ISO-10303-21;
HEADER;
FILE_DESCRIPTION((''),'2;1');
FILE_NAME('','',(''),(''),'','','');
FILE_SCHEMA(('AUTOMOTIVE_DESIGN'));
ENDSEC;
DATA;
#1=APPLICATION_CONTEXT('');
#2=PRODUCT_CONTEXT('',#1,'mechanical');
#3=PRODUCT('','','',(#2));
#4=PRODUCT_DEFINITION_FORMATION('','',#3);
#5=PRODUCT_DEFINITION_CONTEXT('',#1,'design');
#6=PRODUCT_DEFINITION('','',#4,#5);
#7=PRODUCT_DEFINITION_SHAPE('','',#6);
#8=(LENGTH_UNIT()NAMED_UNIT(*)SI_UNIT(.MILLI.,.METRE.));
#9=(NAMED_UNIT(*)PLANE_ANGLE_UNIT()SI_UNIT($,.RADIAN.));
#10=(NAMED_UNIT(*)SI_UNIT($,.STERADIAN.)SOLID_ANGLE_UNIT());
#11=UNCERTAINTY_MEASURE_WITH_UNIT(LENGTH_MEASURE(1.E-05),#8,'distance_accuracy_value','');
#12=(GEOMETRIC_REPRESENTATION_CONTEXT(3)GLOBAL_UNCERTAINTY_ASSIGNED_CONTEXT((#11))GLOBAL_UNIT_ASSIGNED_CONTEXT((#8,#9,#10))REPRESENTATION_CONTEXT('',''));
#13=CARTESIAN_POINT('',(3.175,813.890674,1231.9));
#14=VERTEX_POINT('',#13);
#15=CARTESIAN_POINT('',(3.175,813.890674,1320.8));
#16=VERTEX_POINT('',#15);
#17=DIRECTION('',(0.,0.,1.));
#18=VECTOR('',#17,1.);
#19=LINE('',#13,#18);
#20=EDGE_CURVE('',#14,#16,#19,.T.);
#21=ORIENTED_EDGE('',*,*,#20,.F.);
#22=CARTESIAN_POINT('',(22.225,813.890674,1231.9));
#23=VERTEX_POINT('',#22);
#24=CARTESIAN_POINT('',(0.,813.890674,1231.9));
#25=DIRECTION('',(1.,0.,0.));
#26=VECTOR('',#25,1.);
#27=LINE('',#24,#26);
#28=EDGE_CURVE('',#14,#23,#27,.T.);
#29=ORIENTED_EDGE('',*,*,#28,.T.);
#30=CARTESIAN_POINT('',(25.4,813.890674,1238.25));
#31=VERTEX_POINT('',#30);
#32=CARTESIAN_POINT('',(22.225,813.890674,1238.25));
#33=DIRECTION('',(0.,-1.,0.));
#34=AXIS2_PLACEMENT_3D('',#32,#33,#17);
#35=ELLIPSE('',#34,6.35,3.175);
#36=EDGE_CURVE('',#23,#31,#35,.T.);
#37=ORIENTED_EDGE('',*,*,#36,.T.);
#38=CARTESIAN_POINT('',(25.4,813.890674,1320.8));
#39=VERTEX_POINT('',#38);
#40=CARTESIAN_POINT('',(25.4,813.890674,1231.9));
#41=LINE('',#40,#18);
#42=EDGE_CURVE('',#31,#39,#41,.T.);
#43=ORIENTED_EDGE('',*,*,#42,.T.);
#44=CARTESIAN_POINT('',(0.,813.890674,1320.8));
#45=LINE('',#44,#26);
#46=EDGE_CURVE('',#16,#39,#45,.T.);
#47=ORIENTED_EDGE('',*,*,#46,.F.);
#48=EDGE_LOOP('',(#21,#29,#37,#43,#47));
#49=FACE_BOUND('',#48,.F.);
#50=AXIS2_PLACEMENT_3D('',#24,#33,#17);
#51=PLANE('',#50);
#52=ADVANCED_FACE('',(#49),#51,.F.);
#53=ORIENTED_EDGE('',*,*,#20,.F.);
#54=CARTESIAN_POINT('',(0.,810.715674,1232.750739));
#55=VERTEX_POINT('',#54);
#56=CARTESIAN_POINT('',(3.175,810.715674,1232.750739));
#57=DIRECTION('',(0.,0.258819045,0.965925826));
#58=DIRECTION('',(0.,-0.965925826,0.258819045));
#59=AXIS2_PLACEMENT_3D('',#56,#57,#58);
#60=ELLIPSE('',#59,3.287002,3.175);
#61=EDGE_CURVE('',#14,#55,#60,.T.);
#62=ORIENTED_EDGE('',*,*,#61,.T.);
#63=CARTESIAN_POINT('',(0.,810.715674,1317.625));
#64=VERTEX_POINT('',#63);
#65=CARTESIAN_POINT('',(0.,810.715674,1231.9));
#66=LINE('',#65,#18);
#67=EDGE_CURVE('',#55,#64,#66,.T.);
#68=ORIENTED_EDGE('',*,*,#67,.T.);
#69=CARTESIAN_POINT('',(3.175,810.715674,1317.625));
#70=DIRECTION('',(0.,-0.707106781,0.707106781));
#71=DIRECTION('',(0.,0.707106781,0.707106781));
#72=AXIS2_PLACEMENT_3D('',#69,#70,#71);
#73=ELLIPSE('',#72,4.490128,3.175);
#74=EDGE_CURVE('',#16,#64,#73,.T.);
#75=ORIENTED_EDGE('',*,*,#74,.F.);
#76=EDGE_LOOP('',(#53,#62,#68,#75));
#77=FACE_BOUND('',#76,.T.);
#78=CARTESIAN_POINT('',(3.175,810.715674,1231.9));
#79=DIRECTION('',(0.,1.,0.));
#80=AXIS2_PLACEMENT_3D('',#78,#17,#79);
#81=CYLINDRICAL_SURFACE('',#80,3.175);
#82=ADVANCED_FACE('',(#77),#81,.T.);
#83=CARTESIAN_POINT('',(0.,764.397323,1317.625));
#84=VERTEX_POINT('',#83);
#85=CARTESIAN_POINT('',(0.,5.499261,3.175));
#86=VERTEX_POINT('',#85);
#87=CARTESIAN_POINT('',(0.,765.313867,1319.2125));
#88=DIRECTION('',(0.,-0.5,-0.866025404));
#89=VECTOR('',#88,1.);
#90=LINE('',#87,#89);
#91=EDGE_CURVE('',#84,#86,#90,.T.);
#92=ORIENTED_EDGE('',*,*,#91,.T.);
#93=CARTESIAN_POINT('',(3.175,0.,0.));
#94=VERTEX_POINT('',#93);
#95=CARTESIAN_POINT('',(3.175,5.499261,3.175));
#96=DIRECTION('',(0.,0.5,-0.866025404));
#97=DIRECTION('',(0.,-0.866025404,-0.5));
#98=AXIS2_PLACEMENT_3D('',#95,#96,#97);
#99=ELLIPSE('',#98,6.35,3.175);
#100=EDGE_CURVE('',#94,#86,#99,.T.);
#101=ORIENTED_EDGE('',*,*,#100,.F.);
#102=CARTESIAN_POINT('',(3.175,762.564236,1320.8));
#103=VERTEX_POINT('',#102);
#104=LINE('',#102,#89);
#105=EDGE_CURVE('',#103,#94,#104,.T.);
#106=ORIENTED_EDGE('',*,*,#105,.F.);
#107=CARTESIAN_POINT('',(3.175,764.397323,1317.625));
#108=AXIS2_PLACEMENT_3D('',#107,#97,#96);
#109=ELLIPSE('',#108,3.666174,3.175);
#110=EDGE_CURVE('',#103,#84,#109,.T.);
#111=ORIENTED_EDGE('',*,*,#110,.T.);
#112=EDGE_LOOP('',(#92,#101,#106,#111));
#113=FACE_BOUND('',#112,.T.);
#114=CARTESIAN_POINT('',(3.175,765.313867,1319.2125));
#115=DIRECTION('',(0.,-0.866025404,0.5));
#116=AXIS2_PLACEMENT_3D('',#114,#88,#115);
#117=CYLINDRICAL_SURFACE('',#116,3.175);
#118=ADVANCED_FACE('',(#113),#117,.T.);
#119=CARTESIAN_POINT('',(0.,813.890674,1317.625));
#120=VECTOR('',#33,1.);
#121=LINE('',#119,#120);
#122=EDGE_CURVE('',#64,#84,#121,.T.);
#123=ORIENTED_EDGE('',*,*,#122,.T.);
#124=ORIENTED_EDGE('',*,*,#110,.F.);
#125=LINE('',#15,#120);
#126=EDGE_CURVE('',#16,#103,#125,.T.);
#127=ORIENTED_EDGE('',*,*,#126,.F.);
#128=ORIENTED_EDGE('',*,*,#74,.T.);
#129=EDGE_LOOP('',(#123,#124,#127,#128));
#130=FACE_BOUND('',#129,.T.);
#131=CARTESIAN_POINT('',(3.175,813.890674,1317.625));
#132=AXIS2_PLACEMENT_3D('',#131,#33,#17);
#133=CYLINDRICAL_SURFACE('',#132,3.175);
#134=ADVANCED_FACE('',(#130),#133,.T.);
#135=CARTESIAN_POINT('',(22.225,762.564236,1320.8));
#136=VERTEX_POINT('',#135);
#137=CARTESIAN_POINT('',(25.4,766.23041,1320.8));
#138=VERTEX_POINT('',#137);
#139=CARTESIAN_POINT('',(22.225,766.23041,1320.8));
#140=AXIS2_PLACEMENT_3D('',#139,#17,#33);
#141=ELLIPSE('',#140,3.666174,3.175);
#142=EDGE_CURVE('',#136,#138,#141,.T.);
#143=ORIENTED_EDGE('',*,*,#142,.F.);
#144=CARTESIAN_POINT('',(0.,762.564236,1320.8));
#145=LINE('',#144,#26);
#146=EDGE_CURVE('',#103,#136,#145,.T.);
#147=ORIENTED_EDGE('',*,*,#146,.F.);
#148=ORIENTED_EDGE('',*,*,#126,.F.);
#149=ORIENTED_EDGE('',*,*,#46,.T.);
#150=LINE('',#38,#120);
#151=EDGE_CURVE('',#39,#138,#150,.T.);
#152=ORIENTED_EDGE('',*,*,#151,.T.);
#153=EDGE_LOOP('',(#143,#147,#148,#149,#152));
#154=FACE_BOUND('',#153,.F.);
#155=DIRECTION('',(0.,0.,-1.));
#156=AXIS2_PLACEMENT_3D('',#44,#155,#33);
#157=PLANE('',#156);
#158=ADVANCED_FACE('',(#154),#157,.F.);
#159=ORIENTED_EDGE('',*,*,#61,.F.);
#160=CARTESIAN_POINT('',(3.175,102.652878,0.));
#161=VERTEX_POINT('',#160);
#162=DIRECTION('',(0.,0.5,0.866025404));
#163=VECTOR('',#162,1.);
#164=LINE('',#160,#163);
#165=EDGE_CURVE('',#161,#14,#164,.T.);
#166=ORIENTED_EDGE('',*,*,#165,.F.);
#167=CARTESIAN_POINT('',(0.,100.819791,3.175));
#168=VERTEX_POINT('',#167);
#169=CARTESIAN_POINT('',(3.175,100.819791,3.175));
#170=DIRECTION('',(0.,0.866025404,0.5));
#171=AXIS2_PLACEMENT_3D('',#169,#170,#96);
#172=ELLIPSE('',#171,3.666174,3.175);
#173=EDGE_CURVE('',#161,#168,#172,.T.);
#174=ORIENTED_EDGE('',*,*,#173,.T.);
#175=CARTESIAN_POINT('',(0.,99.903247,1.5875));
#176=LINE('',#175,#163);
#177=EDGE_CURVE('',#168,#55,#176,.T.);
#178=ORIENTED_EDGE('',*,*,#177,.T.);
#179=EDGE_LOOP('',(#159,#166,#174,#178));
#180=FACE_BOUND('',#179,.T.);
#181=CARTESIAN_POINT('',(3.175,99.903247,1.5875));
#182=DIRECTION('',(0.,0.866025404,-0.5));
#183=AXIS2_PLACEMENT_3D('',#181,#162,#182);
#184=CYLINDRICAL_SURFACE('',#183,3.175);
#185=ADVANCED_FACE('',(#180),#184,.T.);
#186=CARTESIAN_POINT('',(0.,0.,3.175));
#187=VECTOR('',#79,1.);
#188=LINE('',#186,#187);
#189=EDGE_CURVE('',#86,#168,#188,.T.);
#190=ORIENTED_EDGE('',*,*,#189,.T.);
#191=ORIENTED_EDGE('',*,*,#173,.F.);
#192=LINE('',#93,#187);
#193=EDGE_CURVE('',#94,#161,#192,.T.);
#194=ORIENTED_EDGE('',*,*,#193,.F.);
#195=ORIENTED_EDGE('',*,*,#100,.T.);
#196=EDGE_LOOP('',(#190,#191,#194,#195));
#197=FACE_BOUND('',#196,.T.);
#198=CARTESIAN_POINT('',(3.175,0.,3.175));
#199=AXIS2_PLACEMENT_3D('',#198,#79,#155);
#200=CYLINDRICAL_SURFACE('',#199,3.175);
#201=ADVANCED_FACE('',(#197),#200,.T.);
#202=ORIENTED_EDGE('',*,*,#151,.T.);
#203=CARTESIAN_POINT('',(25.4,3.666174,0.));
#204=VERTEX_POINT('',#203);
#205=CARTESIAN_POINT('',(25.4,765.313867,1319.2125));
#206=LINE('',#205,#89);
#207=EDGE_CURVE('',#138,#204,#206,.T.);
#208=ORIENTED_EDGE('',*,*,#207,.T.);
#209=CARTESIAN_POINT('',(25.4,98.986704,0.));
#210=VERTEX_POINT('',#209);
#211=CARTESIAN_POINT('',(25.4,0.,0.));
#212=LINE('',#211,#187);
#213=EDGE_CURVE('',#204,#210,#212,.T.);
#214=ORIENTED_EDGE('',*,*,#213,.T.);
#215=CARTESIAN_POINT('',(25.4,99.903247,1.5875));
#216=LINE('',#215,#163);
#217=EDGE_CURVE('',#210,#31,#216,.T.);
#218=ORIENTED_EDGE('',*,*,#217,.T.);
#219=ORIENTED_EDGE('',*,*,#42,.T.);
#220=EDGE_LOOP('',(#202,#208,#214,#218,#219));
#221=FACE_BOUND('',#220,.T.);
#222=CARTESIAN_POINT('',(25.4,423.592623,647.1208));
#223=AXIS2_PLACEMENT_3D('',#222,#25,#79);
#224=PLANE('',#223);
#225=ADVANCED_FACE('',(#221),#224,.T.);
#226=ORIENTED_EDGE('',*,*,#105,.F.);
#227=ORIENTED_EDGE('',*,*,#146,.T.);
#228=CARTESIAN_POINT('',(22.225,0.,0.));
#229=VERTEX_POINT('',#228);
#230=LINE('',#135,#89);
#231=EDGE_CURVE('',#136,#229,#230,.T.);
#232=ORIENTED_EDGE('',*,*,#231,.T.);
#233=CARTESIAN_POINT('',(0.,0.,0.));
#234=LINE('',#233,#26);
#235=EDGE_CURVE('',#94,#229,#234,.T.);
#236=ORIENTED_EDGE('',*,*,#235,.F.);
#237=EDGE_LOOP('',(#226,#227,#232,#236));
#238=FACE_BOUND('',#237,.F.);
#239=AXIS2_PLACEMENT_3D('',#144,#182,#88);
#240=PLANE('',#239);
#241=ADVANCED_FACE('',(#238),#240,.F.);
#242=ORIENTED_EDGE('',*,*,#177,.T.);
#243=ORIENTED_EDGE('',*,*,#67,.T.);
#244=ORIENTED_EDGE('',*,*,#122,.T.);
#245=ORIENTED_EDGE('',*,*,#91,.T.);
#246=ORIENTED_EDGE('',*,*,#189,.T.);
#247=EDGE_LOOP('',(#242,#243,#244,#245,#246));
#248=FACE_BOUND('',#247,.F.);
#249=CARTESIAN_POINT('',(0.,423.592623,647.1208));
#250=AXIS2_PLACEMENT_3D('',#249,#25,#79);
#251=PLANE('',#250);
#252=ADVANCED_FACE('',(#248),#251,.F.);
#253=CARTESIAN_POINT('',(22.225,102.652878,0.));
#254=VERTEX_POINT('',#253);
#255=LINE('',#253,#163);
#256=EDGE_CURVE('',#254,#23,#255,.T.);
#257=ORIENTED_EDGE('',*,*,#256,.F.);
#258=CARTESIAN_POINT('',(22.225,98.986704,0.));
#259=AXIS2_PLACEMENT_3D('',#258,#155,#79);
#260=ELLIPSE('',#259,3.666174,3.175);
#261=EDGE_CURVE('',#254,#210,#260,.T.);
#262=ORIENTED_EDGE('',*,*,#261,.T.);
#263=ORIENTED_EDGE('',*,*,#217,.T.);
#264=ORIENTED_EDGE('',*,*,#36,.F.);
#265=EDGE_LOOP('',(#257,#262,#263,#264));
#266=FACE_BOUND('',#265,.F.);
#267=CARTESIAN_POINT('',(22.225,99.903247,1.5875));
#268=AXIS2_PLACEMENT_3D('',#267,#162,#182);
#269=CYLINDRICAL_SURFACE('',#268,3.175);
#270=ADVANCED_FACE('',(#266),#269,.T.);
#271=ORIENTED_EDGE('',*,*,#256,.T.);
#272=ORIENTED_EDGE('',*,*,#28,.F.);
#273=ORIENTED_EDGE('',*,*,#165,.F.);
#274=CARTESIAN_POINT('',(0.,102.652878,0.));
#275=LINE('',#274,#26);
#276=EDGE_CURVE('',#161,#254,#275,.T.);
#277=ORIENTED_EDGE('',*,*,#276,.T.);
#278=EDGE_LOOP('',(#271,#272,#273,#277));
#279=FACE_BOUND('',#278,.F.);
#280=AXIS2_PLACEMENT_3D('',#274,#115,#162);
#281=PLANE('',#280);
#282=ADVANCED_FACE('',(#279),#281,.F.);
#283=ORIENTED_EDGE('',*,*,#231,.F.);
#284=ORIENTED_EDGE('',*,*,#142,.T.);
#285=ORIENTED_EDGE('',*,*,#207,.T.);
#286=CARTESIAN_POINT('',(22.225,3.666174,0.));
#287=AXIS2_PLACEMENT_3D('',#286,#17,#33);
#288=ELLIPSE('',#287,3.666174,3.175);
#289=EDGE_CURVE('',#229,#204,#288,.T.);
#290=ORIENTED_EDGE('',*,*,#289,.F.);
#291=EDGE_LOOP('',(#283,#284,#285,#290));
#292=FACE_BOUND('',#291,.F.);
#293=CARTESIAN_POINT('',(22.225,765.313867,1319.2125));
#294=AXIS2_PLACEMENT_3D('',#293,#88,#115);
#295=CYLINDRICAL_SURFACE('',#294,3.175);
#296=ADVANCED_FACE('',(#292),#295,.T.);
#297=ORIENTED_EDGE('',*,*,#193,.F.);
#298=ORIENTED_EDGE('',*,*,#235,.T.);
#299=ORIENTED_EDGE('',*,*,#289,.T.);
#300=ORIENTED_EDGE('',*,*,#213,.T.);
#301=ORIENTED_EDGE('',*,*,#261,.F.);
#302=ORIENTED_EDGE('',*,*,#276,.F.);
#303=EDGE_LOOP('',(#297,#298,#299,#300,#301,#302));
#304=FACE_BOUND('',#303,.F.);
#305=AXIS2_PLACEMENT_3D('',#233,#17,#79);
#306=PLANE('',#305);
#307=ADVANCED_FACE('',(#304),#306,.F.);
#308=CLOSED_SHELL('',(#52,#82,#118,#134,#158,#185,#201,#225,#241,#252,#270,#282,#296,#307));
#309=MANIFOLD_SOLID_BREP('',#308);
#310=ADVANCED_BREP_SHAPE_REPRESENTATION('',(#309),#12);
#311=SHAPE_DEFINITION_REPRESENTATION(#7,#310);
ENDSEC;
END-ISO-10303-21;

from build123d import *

# Parameters (mm, degrees)
F1_DEPTH = 25.4
F2_R     = 3.175


with BuildPart() as f1:
    # F0 (on Right) → F1 (new body)
    with BuildSketch(Plane.YZ):
        Polygon((762.564236, 1320.8), (0, 0), (102.652878, 0), (813.890674, 1231.9), (813.890674, 1320.8), align=None)
    extrude(amount=F1_DEPTH)

    # F2
    f2_edges = [f1.edges().sort_by_distance(p)[0] for p in [
        (25.4, 381.282118, 660.4),
        (0, 381.282118, 660.4),
        (0, 813.890674, 1276.35),
        (0, 788.227455, 1320.8),
        (0, 51.326439, 0),
        (0, 458.271776, 615.95),
        (25.4, 458.271776, 615.95),
    ]]
    fillet(f2_edges, radius=F2_R)


solid = f1.part
